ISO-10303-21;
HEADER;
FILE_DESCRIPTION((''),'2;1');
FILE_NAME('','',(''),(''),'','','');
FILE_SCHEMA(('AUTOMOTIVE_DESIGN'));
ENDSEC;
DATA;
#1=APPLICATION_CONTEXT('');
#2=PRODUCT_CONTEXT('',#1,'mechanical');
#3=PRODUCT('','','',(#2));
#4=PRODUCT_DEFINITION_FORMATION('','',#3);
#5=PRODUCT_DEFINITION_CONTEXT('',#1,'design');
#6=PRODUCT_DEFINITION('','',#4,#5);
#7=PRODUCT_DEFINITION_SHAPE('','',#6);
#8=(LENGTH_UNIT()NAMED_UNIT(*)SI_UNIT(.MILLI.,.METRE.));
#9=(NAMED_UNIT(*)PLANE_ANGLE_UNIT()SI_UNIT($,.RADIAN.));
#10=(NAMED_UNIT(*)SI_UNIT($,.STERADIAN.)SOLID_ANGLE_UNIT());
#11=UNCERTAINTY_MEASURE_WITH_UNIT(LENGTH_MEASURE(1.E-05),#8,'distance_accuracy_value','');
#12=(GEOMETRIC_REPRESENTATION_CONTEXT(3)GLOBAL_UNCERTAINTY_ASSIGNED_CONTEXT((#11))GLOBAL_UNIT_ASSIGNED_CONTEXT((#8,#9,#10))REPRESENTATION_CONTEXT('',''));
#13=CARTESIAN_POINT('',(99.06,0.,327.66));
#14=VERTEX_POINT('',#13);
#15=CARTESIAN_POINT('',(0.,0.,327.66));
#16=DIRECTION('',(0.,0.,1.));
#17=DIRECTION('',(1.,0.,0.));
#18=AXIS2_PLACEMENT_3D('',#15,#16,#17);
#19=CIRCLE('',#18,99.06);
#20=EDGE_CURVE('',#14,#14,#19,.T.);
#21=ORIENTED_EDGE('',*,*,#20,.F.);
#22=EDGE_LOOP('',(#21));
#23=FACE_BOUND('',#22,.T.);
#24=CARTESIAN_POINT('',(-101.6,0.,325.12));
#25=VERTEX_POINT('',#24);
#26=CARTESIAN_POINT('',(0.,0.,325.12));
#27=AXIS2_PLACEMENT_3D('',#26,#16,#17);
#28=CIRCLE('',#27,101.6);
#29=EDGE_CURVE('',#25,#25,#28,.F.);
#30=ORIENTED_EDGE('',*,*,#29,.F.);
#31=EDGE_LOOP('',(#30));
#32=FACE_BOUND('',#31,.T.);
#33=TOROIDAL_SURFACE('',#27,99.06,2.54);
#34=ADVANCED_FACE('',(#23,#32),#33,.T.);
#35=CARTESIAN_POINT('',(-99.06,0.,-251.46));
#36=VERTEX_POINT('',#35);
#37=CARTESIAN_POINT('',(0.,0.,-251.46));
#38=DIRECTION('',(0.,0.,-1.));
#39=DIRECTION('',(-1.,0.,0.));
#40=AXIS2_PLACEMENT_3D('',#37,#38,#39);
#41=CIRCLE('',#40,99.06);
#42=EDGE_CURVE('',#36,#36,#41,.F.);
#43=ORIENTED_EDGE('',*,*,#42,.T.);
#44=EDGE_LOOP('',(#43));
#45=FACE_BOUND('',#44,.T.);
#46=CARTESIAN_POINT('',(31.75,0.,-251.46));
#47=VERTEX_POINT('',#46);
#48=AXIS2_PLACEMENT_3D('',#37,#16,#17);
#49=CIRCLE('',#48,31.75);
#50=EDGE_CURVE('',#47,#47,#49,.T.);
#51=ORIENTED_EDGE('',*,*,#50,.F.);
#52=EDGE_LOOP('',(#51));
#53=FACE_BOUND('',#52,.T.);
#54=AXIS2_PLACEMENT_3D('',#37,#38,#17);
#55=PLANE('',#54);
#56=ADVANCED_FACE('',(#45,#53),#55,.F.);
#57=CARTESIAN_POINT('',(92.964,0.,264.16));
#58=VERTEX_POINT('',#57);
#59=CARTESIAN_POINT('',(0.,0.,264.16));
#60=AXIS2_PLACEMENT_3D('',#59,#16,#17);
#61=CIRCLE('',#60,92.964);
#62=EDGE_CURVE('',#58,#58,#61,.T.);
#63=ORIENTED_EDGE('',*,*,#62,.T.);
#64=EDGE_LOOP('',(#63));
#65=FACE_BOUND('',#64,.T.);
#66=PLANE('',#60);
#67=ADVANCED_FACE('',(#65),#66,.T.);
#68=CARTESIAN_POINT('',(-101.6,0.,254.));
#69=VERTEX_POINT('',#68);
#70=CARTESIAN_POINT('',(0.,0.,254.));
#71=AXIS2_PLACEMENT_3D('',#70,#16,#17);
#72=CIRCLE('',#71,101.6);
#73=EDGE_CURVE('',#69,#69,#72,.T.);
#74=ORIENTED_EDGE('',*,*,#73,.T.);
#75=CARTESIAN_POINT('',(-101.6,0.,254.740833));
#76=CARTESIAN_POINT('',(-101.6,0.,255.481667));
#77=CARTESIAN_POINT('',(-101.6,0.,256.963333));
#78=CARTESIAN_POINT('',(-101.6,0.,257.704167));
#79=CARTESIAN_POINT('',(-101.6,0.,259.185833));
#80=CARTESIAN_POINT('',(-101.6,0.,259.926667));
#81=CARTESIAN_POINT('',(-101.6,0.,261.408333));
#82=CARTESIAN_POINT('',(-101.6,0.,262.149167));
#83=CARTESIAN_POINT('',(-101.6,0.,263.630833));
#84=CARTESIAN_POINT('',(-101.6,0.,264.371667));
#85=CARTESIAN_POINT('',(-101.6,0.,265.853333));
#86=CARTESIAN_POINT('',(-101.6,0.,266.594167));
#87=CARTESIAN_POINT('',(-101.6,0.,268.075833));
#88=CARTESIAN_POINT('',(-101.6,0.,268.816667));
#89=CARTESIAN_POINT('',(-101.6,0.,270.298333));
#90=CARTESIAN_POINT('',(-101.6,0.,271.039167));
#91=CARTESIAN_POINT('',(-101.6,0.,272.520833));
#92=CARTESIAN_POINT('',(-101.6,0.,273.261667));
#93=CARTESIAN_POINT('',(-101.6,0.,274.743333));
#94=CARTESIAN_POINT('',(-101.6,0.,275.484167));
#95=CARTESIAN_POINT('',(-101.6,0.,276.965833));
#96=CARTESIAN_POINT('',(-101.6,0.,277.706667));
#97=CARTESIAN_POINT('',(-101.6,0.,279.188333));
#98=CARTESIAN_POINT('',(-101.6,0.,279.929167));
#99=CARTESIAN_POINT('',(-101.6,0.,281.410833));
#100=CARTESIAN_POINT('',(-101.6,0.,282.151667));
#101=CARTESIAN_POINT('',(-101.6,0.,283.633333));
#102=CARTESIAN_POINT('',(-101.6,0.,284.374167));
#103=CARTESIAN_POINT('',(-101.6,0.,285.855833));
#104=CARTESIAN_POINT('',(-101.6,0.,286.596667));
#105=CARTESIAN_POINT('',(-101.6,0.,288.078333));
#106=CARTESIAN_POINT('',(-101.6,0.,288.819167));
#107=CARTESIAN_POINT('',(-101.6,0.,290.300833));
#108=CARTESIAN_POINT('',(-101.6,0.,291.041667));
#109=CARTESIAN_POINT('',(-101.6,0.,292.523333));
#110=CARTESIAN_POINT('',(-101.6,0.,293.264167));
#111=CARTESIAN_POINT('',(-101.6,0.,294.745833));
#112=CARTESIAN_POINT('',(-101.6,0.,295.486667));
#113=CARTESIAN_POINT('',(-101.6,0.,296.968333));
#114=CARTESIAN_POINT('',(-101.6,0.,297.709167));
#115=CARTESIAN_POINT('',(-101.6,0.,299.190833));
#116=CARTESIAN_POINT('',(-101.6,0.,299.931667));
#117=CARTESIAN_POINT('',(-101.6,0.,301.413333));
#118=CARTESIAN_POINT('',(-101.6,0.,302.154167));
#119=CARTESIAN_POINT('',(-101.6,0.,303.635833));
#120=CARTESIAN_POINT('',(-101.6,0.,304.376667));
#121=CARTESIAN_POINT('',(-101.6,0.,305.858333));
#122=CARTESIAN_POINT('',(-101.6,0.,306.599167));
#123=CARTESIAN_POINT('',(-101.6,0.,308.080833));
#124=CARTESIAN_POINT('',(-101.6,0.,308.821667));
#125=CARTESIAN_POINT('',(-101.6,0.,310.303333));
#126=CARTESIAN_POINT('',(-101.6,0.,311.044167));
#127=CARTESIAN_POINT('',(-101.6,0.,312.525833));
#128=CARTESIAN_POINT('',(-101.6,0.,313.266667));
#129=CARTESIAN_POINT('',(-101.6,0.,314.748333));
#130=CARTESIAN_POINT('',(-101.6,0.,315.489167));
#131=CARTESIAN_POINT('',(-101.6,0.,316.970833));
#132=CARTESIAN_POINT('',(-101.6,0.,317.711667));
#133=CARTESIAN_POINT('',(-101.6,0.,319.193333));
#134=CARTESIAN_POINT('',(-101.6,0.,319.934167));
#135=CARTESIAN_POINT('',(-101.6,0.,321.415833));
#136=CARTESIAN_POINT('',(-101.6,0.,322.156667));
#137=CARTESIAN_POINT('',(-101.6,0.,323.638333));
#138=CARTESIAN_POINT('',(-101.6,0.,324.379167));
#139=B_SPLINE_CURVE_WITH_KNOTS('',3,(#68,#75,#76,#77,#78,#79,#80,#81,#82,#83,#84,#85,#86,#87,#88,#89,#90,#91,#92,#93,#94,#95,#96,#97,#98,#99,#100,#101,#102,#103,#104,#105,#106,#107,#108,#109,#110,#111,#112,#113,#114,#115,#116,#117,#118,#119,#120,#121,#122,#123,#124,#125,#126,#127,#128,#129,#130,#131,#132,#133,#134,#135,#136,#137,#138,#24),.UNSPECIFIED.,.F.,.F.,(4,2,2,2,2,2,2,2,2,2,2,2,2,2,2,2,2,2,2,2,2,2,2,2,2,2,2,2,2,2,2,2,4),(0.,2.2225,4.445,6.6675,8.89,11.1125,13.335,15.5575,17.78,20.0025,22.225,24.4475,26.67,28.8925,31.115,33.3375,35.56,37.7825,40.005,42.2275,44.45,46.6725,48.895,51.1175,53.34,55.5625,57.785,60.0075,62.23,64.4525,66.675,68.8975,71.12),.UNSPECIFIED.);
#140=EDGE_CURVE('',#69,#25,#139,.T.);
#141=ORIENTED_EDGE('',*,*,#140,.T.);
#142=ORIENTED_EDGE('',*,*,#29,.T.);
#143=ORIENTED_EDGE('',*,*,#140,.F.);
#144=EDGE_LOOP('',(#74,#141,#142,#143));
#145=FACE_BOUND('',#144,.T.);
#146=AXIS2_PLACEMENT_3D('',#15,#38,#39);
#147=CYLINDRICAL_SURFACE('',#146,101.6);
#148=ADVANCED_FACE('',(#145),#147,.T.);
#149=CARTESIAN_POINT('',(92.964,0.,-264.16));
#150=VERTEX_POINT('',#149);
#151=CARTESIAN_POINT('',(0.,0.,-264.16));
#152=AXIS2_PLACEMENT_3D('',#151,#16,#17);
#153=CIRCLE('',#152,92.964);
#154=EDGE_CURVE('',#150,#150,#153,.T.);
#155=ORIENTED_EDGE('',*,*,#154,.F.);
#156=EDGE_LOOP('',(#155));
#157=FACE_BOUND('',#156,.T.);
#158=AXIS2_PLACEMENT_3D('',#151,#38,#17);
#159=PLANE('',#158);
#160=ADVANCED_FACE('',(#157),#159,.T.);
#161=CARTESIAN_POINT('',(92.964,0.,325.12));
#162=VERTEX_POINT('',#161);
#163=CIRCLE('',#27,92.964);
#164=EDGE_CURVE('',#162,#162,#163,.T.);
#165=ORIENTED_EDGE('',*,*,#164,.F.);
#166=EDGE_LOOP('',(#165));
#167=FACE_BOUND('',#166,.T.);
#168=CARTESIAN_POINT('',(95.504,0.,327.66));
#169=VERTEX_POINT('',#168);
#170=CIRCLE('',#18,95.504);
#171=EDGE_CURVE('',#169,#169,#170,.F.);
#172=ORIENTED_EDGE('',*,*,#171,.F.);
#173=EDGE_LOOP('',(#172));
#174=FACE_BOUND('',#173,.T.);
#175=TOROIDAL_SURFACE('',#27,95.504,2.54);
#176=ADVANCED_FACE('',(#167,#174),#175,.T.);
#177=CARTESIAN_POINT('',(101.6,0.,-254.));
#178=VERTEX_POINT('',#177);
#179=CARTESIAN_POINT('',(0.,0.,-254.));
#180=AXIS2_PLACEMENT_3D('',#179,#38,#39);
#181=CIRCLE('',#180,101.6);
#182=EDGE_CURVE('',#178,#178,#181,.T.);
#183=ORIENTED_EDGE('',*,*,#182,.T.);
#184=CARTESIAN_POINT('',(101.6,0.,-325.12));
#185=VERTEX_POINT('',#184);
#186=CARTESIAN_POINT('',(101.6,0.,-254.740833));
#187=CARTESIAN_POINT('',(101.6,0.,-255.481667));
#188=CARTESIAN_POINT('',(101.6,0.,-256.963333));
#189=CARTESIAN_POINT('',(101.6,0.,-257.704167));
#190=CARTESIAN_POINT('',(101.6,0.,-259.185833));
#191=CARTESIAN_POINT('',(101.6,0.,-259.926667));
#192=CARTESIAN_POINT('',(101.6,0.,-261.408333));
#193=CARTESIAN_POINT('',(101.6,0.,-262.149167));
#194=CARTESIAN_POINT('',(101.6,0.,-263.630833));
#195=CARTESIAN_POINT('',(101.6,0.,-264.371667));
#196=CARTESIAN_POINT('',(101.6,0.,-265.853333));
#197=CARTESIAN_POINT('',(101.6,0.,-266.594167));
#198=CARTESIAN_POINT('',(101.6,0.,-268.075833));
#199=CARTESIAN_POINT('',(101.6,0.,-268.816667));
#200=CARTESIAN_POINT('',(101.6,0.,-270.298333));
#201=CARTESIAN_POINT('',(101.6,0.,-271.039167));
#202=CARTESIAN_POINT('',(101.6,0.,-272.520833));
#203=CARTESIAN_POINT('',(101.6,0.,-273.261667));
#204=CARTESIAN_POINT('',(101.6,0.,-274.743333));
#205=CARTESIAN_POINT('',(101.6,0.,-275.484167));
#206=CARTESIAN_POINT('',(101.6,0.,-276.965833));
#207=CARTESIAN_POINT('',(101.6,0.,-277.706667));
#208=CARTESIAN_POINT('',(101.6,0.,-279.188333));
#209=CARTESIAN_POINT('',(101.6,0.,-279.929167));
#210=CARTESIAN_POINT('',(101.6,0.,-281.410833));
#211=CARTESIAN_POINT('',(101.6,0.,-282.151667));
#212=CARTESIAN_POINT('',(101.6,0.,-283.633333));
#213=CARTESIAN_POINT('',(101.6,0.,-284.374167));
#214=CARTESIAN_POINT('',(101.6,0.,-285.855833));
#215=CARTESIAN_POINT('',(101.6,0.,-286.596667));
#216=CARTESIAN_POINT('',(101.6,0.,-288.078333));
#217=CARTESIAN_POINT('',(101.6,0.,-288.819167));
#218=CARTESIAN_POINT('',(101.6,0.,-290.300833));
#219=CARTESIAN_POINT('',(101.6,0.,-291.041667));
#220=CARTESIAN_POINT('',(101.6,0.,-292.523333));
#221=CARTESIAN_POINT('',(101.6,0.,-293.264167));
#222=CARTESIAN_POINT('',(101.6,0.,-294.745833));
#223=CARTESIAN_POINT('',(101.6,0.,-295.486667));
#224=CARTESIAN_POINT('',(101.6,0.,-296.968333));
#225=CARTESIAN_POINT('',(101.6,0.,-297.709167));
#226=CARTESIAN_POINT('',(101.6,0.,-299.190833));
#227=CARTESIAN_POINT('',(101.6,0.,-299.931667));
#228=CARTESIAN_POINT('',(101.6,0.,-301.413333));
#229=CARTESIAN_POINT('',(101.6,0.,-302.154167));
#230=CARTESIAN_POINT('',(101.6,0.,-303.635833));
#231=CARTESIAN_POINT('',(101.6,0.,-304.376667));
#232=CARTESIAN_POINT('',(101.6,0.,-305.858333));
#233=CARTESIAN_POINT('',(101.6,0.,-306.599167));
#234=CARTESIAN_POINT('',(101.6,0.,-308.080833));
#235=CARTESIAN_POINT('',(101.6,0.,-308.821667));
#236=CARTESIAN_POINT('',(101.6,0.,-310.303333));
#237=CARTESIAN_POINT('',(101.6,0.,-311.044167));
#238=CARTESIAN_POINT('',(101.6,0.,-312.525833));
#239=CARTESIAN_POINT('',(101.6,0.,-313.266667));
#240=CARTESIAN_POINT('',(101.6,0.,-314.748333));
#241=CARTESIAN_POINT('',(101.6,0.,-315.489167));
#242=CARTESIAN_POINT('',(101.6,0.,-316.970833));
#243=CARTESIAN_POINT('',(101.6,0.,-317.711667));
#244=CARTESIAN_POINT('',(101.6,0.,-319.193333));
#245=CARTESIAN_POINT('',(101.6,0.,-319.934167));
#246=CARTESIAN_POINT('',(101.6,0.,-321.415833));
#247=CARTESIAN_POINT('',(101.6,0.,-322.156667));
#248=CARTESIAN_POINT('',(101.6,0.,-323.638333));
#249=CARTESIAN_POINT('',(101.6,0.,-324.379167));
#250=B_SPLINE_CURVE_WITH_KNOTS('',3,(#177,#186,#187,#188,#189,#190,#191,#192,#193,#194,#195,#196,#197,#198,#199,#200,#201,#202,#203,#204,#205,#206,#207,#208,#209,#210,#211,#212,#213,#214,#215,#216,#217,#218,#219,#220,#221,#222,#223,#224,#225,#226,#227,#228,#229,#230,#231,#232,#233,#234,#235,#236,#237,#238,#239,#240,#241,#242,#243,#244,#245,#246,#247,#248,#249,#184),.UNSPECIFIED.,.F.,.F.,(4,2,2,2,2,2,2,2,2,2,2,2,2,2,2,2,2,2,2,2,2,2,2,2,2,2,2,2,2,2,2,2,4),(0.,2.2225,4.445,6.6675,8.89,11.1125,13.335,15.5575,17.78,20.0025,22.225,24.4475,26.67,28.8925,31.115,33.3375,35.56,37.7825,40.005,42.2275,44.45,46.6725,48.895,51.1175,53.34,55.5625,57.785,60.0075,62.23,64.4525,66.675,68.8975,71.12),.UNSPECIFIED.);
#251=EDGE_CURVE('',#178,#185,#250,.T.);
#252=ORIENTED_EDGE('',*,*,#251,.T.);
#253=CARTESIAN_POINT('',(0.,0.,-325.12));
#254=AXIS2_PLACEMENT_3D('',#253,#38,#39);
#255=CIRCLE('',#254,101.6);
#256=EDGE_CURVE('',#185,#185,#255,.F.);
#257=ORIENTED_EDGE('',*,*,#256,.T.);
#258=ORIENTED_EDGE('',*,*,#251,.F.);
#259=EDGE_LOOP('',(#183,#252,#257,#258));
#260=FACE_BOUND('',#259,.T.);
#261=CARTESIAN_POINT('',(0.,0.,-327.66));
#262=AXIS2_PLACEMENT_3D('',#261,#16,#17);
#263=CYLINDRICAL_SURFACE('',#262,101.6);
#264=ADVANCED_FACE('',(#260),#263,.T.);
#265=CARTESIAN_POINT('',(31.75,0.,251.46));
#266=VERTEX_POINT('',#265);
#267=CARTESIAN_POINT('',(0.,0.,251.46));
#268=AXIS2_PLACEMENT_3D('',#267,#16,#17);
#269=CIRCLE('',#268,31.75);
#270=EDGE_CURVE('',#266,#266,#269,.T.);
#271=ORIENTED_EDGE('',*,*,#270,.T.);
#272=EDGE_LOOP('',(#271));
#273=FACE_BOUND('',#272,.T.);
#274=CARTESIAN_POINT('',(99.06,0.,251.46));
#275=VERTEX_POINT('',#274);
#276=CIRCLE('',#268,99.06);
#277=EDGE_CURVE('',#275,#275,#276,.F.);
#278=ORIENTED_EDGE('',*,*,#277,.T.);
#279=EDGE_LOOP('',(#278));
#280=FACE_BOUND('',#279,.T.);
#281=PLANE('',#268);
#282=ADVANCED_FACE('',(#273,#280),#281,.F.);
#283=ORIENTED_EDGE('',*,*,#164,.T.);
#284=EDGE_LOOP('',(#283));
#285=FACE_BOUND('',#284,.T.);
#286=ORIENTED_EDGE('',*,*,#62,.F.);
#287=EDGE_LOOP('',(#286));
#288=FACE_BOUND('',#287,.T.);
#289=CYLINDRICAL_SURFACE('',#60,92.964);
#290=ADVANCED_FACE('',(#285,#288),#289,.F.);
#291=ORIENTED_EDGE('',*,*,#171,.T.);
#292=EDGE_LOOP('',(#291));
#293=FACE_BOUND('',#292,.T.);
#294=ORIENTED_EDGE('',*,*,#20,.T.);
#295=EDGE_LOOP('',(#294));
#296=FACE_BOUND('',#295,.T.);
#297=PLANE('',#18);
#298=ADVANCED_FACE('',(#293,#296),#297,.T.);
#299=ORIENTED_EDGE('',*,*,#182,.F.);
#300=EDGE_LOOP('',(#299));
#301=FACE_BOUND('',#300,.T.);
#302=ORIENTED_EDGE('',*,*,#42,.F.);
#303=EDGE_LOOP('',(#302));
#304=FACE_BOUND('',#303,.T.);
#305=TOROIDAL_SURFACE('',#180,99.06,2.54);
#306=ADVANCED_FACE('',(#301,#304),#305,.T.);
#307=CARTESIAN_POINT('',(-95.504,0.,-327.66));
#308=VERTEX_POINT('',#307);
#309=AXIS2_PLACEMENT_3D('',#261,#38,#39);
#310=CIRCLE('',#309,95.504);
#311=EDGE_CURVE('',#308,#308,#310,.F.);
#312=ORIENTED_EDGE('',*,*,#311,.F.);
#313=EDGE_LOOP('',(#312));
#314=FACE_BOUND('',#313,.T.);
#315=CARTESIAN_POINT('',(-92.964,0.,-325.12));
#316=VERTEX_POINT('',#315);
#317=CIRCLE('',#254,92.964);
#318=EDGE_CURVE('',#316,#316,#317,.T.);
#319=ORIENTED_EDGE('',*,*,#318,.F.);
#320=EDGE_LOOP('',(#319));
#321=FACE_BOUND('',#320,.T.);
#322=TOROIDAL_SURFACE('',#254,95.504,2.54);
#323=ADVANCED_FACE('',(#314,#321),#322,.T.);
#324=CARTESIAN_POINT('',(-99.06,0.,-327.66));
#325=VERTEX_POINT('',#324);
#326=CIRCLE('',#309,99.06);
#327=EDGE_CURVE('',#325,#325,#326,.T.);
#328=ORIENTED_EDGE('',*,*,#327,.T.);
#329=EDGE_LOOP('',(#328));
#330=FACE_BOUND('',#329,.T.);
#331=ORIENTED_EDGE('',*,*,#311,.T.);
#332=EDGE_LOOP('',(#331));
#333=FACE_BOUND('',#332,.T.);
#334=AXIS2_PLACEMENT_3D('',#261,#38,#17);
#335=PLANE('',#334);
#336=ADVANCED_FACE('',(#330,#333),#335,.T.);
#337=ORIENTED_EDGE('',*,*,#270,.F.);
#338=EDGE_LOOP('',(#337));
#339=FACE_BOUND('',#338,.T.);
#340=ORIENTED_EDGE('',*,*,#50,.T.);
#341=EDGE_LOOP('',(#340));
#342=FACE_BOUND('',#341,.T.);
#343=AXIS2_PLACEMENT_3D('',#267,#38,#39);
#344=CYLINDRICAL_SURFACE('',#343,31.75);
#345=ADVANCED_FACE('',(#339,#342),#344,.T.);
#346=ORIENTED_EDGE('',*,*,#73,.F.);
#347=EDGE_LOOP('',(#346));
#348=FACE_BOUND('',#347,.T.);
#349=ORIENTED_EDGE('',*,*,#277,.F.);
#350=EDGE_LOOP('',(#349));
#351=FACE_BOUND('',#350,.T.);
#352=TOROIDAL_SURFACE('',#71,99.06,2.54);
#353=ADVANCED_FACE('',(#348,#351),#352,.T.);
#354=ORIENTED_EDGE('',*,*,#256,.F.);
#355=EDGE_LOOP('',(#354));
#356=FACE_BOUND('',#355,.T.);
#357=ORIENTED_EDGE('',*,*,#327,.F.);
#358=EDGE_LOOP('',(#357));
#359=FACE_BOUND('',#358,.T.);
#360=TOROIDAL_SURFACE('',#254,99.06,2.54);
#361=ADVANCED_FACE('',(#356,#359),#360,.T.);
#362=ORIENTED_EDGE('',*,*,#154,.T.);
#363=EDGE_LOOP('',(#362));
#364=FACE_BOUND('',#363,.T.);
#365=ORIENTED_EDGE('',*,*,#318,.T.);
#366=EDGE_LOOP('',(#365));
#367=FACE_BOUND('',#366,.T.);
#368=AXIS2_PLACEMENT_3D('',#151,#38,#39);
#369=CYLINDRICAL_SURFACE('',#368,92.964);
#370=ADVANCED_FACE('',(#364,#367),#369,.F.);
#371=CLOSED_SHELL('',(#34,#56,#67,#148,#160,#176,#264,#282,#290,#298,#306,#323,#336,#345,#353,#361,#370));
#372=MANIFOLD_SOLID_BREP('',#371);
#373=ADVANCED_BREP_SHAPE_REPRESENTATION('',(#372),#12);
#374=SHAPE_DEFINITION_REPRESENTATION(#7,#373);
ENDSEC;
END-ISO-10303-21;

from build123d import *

# Parameters (mm, degrees)
SKETCH4_R            = 31.75
BOSS_EXTRUDE3_DEPTH  = 251.46
SKETCH5_R            = 101.6
BOSS_EXTRUDE4_DEPTH  = 76.2
SKETCH6_R            = 92.964
CUT_EXTRUDE1_DEPTH   = 63.5
FILLET1_R            = 2.54
FILLET2_R            = 2.54
FILLET1_OF_MIRROR1_R = 2.54
FILLET2_OF_MIRROR1_R = 2.54


with BuildPart() as part:
    # Sketch4 → Boss-Extrude3 (new, symmetric)
    with BuildSketch(Plane.XY):
        Circle(SKETCH4_R)
    extrude(amount=BOSS_EXTRUDE3_DEPTH, both=True)

    # Sketch5 → Boss-Extrude4 (add)
    with BuildSketch(Plane.XY.offset(251.46)):
        with Locations(Location((0, 0, 0), (0, 0, 180))):
            Circle(SKETCH5_R)
    boss_extrude4 = extrude(amount=BOSS_EXTRUDE4_DEPTH)

    # Sketch6 → Cut-Extrude1 (cut)
    with BuildSketch(Plane.XY.offset(327.66)):
        Circle(SKETCH6_R)
    cut_extrude1 = extrude(amount=-CUT_EXTRUDE1_DEPTH, mode=Mode.SUBTRACT)

    # Fillet1
    fillet1_edges = [part.edges().sort_by_distance(p)[0] for p in [
        (-92.964, 0, 327.66),
    ]]
    fillet(fillet1_edges, radius=FILLET1_R)

    # Fillet2
    fillet2_edges = [part.edges().sort_by_distance(p)[0] for p in [
        (101.6, 0, 251.46),
        (101.6, 0, 327.66),
    ]]
    fillet(fillet2_edges, radius=FILLET2_R)

    # Mirror1: Boss-Extrude4, Cut-Extrude1 across plane
    add(boss_extrude4.mirror(Plane.XY))
    add(cut_extrude1.mirror(Plane.XY), mode=Mode.SUBTRACT)

    # Fillet1 of Mirror1
    fillet1_of_mirror1_edges = [part.edges().sort_by_distance(p)[0] for p in [
        (-92.964, 0, -327.66),
    ]]
    fillet(fillet1_of_mirror1_edges, radius=FILLET1_OF_MIRROR1_R)

    # Fillet2 of Mirror1
    fillet2_of_mirror1_edges = [part.edges().sort_by_distance(p)[0] for p in [
        (101.6, 0, -251.46),
        (101.6, 0, -327.66),
    ]]
    fillet(fillet2_of_mirror1_edges, radius=FILLET2_OF_MIRROR1_R)


solid = part.part
